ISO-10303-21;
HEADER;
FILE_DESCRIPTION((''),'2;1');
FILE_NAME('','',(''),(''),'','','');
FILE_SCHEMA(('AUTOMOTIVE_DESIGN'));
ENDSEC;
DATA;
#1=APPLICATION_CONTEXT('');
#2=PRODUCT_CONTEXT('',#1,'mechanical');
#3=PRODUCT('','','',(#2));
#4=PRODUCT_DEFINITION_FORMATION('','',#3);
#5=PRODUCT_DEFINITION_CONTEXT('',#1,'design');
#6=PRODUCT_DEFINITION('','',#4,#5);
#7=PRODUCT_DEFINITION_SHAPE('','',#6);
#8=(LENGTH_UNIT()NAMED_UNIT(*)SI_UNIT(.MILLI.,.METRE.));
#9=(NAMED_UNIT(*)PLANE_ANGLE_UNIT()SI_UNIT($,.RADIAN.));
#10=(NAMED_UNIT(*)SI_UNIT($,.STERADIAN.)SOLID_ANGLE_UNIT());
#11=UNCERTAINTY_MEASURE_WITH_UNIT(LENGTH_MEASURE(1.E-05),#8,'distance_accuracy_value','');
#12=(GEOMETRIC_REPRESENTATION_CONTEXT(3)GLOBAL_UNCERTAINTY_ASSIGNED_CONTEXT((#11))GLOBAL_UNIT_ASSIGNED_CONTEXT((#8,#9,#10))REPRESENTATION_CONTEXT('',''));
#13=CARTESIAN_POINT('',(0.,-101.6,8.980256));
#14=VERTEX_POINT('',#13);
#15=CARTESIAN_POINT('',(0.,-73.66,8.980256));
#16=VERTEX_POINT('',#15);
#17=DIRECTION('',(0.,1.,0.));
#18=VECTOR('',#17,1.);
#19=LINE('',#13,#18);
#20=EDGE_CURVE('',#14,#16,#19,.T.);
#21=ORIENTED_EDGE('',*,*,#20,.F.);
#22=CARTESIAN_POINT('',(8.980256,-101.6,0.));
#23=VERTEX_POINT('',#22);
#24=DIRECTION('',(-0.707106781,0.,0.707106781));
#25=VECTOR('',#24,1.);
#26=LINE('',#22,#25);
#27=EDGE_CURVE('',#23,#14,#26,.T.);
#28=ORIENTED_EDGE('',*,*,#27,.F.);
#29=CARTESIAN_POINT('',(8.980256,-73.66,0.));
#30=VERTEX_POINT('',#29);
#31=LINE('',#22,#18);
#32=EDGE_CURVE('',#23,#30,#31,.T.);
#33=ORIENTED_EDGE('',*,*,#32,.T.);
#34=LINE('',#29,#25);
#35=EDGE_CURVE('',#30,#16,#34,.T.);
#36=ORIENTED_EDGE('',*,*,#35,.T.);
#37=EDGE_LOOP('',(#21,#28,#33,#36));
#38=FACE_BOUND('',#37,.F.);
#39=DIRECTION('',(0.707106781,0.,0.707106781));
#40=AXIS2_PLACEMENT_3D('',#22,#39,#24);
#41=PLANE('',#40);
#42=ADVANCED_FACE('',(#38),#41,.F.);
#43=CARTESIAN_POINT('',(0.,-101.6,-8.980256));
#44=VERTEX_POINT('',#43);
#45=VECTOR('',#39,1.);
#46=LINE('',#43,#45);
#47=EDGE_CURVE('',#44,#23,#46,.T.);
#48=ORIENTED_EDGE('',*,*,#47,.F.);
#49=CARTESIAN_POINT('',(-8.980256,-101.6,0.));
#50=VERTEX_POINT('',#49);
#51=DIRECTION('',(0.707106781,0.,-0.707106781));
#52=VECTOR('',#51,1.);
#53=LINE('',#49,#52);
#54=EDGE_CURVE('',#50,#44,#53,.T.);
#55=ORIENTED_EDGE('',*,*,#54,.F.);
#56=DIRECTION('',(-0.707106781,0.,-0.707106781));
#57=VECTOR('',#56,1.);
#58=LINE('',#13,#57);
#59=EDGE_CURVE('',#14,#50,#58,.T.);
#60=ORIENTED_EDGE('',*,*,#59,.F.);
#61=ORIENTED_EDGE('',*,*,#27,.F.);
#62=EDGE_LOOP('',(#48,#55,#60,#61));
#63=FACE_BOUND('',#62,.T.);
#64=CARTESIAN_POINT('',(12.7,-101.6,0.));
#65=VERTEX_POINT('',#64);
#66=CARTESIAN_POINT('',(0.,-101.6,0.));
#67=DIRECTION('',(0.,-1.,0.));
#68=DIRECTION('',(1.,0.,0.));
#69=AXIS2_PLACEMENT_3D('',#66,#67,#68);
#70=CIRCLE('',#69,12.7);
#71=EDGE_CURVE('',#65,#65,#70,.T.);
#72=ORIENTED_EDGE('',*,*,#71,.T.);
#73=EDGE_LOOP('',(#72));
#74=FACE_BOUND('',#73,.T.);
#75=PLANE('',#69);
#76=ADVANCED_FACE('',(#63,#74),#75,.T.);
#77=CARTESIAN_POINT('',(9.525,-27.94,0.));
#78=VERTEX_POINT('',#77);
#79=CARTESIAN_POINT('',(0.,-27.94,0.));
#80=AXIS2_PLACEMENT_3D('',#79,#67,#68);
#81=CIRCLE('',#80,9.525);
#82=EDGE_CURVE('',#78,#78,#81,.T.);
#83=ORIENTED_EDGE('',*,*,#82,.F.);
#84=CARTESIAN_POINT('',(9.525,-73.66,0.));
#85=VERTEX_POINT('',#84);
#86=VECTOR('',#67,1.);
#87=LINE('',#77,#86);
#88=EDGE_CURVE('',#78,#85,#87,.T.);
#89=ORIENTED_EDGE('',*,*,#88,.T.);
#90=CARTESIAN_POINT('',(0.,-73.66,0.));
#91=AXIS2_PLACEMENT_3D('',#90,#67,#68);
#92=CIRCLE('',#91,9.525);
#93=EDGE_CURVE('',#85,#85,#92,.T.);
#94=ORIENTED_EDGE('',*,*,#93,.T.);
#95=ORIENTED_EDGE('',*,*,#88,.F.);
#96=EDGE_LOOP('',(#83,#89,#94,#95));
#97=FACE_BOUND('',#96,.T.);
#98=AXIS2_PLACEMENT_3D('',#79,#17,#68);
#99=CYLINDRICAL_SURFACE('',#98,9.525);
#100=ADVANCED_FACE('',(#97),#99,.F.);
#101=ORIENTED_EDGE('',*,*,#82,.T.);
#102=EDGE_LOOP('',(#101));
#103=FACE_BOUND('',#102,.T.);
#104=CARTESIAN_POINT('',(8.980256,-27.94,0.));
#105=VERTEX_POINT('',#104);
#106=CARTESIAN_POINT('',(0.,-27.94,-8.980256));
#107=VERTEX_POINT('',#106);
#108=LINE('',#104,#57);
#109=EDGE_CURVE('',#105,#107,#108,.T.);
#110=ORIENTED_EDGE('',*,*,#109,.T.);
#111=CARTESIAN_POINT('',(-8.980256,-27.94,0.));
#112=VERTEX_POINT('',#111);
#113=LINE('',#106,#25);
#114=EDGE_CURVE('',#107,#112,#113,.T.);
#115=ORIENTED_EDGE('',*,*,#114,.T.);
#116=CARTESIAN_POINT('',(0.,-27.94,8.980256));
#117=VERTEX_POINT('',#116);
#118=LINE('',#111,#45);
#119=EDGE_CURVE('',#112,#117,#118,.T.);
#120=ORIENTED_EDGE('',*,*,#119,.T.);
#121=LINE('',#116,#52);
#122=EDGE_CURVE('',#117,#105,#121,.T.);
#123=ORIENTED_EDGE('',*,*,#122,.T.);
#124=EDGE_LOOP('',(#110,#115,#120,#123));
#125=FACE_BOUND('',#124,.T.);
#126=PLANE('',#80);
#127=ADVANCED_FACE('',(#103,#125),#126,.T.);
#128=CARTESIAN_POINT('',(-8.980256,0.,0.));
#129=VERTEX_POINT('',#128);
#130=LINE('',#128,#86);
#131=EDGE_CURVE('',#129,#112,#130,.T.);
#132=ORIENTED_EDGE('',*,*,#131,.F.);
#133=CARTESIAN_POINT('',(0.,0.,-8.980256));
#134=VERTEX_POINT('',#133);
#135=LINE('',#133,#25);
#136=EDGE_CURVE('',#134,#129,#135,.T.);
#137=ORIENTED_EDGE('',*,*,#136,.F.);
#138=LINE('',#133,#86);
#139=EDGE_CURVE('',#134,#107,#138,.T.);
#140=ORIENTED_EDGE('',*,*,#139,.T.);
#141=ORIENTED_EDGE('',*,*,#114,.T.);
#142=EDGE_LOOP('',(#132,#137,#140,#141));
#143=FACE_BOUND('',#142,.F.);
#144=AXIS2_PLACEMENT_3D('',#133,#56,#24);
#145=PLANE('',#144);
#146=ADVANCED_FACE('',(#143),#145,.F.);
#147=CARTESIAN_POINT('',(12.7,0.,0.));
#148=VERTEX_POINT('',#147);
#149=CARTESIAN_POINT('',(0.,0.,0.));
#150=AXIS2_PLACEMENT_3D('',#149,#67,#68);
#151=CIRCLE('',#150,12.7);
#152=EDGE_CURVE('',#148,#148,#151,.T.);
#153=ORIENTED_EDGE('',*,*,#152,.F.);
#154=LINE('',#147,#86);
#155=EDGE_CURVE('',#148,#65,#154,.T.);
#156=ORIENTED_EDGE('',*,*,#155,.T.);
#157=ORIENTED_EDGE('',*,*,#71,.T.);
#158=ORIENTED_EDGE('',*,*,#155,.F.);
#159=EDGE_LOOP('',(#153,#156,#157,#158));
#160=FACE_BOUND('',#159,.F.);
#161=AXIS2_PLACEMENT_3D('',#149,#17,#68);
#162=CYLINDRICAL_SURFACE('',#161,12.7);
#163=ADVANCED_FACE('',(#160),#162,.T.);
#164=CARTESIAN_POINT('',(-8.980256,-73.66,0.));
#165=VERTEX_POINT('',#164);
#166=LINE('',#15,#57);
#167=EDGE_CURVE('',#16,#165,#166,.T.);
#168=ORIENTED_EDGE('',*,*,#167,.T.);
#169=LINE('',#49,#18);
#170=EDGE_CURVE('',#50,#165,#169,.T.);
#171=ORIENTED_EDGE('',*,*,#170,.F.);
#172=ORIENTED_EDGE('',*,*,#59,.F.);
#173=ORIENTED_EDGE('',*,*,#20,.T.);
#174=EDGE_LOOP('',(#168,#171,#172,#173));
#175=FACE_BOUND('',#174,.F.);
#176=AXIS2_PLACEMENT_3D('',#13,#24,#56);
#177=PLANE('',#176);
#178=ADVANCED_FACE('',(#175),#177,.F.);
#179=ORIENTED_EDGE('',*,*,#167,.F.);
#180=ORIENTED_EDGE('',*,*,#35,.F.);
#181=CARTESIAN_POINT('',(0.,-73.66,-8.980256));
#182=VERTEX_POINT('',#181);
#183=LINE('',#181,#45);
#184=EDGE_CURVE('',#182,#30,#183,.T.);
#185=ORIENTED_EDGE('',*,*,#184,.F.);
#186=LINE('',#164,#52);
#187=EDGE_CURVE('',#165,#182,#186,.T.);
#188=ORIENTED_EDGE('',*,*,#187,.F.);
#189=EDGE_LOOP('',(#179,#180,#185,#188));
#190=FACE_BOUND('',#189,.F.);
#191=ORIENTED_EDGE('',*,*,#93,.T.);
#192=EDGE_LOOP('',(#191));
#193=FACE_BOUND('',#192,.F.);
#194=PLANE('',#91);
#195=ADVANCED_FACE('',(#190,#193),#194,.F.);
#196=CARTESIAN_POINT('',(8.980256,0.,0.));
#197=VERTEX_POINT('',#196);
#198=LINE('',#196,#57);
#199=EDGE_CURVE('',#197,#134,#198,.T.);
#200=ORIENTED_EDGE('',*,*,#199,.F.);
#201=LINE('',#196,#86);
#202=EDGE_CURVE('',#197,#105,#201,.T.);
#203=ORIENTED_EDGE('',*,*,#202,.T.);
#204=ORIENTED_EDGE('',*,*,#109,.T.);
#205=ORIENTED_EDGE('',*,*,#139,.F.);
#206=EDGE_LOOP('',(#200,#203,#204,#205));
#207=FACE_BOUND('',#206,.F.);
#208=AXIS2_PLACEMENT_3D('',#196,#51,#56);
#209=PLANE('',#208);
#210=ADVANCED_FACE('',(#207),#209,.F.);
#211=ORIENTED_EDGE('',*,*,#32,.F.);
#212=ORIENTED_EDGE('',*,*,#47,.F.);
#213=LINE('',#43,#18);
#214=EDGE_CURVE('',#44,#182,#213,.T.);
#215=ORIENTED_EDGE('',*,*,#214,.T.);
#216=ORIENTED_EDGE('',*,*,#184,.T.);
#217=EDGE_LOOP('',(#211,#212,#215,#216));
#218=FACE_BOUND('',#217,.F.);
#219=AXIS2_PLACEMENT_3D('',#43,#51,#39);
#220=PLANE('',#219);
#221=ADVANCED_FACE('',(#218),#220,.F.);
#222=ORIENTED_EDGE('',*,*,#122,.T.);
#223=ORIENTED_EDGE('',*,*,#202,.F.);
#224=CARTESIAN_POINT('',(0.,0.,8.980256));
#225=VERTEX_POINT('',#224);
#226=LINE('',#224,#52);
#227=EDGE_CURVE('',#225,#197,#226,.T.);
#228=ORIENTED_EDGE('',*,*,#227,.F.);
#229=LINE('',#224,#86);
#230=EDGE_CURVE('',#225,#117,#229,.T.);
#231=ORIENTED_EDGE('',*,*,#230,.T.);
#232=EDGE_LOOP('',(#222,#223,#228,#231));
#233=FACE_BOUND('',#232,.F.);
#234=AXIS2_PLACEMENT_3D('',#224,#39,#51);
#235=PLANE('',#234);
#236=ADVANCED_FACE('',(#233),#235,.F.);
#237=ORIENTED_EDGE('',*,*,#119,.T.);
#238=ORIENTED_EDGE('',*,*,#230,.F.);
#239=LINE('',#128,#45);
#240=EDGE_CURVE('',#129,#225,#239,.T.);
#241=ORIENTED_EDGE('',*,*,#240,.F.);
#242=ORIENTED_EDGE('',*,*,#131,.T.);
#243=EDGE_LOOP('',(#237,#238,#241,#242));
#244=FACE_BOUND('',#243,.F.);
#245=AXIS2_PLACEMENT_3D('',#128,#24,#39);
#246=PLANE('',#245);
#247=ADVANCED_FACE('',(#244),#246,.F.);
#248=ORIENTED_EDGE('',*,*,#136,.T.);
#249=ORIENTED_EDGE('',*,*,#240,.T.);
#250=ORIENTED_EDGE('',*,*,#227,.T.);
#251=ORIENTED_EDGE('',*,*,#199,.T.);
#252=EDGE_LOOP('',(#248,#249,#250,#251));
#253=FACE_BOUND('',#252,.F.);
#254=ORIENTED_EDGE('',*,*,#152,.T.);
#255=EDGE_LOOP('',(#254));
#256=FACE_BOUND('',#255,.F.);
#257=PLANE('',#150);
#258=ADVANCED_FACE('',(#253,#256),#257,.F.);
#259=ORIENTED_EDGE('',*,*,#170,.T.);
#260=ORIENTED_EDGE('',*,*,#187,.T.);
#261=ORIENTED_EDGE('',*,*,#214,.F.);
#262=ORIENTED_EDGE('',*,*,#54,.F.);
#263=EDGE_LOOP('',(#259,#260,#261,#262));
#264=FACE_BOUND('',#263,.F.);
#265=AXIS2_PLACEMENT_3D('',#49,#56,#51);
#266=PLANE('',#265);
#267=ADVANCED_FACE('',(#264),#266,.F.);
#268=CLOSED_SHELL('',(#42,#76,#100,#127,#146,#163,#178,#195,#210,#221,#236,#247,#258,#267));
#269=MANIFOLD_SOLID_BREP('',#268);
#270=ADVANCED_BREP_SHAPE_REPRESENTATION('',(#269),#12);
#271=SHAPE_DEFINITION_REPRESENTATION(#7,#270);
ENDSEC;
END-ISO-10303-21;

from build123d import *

# Parameters (mm, degrees)
F0_R     = 12.7
F1_DEPTH = 101.6
F3_DEPTH = 27.94
F5_DEPTH = 27.94
F7_R     = 9.525
F8_DEPTH = 45.72


with BuildPart() as f1:
    # F0 (on Front) → F1 (new body)
    with BuildSketch(Plane.XZ):
        Circle(F0_R)
    extrude(amount=F1_DEPTH)

    # F2 (on face) → F3 (cut)
    with BuildSketch(Plane.XZ.offset(101.6)):
        Polygon((0, -8.980256), (8.980256, 0), (0, 8.980256), (-8.980256, 0), align=None)
    extrude(amount=-F3_DEPTH, mode=Mode.SUBTRACT)

    # F4 (on face) → F5 (cut)
    with BuildSketch(Plane(origin=(0, 0, 0), x_dir=(-1, 0, 0), z_dir=(0, 1, 0))):
        Polygon((0, -8.980256), (8.980256, 0), (0, 8.980256), (-8.980256, 0), align=None)
    extrude(amount=-F5_DEPTH, mode=Mode.SUBTRACT)

    # F7 (on offset) → F8 (cut)
    with BuildSketch(Plane.XZ.offset(27.94)):
        Circle(F7_R)
    extrude(amount=F8_DEPTH, mode=Mode.SUBTRACT)


solid = f1.part
